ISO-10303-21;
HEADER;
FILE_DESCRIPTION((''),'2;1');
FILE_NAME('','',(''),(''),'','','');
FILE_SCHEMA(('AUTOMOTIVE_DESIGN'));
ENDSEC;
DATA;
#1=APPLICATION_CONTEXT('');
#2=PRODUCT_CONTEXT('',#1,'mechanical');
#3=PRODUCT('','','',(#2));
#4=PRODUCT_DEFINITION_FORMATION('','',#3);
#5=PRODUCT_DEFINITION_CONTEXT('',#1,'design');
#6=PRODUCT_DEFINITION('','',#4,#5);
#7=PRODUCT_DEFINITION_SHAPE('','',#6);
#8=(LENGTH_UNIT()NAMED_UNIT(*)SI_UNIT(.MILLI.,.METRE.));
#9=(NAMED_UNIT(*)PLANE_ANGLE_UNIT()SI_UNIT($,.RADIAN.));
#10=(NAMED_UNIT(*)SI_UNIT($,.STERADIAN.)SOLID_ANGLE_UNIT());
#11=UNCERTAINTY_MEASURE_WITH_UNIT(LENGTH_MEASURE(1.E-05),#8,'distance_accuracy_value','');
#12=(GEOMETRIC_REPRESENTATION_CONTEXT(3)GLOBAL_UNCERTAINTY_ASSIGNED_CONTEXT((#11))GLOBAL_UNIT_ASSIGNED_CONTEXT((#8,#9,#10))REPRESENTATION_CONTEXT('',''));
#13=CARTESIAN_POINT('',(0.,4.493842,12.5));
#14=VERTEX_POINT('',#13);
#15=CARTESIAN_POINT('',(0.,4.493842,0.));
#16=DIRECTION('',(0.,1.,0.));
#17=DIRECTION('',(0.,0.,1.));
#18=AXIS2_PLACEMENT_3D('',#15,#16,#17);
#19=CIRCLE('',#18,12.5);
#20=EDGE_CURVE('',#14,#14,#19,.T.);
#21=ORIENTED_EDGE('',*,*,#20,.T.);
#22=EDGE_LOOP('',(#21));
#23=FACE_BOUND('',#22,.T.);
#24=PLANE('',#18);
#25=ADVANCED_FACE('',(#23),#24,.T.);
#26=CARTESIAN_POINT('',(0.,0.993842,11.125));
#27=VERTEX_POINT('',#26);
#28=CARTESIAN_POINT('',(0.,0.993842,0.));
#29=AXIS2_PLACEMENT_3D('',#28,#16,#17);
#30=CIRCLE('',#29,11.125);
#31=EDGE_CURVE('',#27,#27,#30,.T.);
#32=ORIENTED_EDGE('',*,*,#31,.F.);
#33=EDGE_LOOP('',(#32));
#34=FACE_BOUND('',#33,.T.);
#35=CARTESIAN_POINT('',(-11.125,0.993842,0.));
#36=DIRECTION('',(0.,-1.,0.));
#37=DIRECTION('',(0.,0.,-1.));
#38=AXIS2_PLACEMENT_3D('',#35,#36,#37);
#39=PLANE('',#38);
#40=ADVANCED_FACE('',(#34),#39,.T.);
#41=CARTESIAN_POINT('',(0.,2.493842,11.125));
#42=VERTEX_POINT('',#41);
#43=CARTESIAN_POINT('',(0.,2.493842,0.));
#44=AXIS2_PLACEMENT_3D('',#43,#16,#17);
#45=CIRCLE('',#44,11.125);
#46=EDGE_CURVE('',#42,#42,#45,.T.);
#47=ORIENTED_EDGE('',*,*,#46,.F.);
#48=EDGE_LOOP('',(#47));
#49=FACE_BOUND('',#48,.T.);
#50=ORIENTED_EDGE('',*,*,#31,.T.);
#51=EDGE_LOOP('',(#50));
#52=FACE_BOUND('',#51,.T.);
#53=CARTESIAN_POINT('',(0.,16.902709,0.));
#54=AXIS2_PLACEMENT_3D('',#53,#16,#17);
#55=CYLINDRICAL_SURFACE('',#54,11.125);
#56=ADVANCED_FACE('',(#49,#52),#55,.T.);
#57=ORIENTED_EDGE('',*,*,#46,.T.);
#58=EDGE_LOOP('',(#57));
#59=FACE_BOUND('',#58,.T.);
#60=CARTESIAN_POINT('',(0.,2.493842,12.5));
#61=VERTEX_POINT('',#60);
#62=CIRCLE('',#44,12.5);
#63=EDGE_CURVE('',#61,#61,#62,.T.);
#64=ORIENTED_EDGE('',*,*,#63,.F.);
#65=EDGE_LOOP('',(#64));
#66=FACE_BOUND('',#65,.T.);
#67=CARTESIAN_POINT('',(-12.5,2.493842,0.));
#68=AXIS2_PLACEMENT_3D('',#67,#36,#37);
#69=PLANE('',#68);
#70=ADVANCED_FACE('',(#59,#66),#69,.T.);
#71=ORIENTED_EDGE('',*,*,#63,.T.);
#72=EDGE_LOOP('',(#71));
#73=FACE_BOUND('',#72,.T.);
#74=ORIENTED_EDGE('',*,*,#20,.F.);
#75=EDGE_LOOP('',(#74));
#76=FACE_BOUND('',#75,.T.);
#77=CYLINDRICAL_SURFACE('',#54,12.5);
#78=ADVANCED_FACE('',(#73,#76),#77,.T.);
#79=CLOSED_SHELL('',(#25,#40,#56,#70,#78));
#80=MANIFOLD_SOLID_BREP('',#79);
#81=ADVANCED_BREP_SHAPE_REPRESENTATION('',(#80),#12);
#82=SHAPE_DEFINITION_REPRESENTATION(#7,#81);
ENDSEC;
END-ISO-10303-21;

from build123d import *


with BuildPart() as part:
    # Sketch1 → Revolve1 (revolve)
    with BuildSketch(Plane.XY, mode=Mode.PRIVATE) as revolve1_sk:
        Polygon((-12.5, 4.493842365), (-12.5, 2.493842365), (-11.125, 2.493842365), (-11.125, 0.993842365), (0, 0.993842365), (0, 4.493842365), align=None)
    revolve(revolve1_sk.sketch.rotate(Axis((0, 16.90270936, 0), (0, -1, 0)), 270), axis=Axis((0, 16.90270936, 0), (0, -1, 0)))


solid = part.part
